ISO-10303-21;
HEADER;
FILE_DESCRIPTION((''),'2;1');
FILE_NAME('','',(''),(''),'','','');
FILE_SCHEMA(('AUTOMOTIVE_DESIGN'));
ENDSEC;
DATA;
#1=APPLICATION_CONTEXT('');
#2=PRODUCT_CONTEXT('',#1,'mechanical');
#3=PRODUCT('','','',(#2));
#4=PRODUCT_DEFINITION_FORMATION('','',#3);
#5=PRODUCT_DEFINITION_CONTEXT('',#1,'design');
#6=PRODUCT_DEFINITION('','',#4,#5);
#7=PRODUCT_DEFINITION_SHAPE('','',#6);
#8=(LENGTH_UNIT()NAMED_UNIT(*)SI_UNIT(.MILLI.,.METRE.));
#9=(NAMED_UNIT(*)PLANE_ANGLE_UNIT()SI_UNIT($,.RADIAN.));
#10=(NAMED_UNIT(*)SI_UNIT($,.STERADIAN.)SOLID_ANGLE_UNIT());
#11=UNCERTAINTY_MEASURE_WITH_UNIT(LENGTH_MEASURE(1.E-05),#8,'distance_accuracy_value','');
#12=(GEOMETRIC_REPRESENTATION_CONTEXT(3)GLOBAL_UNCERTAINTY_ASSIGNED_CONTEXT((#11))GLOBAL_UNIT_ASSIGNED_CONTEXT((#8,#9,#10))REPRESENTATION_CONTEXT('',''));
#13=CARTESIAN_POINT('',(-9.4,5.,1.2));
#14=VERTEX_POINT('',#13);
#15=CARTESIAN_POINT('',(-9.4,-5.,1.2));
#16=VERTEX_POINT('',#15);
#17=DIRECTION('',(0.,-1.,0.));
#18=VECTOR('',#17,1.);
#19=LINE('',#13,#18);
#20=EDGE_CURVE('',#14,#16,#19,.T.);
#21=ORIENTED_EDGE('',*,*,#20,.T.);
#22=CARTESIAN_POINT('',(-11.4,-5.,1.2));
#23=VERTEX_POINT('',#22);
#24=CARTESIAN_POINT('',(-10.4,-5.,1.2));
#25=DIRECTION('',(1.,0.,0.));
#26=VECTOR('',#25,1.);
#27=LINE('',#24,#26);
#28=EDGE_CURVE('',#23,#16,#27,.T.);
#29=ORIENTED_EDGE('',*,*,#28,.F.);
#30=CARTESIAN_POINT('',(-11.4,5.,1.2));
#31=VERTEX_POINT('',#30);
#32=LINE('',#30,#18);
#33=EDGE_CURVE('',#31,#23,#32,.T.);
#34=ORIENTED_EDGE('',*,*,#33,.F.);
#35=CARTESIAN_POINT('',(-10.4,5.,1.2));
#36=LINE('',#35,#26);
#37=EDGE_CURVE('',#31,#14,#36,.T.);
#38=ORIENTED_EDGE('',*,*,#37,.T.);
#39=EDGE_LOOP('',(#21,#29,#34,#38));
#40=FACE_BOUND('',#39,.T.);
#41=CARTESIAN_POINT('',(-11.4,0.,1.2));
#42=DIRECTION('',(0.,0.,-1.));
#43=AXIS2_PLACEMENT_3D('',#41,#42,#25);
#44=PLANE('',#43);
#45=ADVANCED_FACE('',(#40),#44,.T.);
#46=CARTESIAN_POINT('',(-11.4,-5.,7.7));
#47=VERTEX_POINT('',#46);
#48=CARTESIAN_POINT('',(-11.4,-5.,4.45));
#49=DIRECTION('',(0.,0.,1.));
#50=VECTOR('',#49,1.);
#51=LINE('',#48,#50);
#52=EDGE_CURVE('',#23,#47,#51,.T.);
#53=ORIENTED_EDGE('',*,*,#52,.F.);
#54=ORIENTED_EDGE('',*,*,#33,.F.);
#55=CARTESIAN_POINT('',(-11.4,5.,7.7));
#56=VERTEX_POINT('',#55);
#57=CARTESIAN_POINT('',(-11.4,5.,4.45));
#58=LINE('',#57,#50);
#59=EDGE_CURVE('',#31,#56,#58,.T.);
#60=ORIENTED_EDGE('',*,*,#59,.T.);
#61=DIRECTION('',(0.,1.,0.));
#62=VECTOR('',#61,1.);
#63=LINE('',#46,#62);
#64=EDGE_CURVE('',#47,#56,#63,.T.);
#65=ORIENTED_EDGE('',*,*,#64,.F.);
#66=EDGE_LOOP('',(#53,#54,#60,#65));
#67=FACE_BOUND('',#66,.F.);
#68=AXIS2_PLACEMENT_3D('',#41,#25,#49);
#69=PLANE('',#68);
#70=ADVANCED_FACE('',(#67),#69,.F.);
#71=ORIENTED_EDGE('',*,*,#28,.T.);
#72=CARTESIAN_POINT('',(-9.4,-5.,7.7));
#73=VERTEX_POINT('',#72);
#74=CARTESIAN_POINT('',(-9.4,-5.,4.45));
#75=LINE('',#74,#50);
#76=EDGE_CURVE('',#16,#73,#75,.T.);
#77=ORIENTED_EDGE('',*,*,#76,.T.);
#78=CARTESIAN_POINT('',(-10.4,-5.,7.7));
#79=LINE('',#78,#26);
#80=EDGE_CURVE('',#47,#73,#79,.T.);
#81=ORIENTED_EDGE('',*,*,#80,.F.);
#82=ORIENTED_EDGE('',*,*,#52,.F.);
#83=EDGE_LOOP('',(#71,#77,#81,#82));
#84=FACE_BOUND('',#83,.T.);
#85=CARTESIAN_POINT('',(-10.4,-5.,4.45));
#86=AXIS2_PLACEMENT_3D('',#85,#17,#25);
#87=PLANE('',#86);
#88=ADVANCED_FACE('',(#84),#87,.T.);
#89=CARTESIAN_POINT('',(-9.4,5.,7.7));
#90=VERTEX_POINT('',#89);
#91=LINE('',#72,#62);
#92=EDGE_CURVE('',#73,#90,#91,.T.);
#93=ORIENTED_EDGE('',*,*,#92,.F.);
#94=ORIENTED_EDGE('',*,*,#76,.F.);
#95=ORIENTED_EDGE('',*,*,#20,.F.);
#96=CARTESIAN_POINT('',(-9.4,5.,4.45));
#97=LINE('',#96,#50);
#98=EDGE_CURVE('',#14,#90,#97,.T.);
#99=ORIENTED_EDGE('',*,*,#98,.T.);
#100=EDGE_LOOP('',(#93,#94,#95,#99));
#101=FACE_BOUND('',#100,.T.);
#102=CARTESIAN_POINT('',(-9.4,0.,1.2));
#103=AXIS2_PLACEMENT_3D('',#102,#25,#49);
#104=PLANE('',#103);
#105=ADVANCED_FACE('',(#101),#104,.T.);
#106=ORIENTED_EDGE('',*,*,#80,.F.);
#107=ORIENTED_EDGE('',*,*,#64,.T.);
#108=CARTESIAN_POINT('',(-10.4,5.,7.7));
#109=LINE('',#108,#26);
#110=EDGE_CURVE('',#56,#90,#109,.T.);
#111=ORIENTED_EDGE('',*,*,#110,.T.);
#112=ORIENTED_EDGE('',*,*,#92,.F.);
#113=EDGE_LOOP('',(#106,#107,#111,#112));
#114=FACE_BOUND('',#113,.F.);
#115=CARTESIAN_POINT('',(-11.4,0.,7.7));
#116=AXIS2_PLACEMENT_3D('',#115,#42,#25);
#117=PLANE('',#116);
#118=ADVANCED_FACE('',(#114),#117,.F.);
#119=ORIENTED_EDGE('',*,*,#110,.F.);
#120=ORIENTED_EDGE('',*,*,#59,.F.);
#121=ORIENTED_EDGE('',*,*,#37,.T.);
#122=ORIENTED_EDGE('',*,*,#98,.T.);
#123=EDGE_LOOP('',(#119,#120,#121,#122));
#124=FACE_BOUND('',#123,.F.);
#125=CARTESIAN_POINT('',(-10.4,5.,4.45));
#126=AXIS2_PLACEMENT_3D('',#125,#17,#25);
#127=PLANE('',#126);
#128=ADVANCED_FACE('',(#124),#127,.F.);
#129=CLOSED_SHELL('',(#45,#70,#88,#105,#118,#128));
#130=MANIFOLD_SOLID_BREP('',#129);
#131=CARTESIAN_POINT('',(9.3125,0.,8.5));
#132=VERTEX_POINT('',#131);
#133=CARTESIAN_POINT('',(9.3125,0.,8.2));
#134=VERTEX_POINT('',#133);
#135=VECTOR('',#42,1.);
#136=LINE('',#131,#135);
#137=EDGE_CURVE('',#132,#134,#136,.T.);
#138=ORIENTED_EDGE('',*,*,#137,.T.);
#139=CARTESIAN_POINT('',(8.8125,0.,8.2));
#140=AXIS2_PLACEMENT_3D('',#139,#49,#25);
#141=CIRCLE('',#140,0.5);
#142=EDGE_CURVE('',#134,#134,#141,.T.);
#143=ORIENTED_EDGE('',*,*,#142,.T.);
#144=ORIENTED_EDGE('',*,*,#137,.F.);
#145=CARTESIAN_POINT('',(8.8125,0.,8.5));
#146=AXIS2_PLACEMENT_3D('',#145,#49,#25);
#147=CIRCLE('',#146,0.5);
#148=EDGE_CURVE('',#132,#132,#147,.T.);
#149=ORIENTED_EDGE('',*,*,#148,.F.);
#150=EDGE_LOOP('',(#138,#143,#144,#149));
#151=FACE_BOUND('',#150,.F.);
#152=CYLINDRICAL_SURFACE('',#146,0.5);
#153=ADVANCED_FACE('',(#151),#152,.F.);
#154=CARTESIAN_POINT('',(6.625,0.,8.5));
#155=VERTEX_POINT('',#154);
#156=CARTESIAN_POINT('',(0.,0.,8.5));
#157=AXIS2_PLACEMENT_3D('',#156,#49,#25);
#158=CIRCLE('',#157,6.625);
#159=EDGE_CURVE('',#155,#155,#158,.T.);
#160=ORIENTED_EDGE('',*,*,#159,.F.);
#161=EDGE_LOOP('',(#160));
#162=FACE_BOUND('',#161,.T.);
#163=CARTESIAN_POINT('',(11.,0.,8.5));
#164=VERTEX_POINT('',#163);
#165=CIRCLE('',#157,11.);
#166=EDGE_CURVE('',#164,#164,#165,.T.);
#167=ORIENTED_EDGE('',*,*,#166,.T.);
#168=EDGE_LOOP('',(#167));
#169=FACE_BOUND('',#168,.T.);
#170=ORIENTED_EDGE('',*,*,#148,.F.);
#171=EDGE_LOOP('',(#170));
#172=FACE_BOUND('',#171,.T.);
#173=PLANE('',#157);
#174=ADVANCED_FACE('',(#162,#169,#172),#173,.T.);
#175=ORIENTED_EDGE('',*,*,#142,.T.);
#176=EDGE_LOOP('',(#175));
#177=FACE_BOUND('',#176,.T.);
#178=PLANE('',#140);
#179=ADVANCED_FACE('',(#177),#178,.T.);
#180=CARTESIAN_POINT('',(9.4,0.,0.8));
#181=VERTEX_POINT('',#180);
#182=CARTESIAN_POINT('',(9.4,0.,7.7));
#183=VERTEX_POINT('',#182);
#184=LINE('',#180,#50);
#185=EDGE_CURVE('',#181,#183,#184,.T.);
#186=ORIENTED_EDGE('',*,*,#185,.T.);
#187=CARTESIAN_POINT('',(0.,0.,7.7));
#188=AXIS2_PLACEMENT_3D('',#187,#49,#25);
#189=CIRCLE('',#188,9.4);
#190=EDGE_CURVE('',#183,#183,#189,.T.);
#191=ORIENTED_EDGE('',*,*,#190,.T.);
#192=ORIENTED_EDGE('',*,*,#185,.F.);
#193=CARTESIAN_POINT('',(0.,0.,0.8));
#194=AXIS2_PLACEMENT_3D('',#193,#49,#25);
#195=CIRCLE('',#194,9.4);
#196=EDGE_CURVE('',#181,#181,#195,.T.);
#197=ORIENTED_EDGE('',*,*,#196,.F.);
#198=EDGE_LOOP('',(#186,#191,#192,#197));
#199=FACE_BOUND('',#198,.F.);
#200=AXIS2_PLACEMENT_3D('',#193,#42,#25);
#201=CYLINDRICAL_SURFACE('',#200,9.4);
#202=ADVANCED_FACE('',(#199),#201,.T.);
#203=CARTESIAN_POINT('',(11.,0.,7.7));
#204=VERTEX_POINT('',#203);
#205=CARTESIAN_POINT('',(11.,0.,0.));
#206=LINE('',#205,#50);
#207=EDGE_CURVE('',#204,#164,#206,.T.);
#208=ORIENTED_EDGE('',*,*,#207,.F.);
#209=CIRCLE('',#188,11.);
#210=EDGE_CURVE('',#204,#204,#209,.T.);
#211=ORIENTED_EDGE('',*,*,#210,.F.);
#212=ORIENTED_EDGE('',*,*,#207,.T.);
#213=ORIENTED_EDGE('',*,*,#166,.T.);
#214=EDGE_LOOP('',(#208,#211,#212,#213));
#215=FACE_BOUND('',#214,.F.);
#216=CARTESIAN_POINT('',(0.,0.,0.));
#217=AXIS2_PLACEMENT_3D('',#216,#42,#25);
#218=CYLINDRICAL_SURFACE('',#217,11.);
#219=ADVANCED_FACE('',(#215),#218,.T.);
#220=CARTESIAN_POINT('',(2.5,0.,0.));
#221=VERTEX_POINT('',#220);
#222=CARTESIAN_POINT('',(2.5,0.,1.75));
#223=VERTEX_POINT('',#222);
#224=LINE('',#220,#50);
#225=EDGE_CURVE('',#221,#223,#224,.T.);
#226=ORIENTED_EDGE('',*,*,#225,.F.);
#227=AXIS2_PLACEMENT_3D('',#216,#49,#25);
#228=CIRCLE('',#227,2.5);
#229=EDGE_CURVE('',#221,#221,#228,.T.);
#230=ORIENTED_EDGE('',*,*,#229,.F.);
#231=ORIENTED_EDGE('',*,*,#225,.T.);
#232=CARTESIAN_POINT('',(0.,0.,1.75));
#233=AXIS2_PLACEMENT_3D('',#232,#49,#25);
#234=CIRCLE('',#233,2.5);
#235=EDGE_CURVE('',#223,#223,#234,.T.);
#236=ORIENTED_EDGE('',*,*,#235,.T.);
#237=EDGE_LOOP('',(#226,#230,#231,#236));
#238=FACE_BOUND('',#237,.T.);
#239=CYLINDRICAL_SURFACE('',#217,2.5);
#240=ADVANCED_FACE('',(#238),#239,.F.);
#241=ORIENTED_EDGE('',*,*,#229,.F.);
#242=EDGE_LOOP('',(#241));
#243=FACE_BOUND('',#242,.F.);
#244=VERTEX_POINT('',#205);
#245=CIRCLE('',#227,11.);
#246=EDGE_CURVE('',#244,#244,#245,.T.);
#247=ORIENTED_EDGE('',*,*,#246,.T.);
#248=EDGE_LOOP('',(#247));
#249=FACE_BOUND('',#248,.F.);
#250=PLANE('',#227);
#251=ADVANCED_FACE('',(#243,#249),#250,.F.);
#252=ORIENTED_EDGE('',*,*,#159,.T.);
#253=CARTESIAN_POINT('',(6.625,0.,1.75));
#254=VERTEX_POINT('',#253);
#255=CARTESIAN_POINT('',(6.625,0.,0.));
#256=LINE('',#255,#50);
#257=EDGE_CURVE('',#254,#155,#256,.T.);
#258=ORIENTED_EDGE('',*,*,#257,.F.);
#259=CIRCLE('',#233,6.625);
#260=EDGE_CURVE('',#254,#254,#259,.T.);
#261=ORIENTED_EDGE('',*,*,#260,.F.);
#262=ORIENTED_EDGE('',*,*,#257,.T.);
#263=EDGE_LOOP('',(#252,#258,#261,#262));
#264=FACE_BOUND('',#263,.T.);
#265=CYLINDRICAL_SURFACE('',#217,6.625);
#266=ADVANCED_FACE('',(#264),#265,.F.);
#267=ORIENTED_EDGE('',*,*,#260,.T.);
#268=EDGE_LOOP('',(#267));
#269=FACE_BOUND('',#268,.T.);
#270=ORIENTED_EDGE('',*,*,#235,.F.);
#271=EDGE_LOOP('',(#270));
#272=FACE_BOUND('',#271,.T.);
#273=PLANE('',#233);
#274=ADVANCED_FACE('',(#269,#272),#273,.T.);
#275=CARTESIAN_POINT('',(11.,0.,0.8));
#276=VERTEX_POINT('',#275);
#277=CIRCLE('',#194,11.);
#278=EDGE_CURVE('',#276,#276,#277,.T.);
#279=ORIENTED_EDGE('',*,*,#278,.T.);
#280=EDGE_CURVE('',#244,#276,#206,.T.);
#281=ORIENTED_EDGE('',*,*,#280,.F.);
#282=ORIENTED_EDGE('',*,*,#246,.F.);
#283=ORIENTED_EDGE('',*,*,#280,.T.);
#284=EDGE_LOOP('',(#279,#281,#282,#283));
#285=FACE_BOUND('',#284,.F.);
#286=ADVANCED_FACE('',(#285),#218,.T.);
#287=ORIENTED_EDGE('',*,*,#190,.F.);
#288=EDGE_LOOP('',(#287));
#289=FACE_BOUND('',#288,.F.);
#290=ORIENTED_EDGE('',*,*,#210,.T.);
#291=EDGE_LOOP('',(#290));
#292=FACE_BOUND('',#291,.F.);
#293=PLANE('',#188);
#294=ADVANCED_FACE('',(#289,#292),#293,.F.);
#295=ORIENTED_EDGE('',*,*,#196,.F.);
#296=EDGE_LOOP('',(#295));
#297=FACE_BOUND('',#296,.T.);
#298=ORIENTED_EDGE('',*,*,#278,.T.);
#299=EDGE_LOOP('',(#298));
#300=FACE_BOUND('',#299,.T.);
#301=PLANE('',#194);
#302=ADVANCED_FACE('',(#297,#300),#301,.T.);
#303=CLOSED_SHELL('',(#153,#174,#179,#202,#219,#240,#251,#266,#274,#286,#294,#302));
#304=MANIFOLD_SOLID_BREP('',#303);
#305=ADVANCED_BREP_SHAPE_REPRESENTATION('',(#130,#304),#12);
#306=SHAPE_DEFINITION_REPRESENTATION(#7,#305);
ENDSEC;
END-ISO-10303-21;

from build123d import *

# Parameters (mm, degrees)
F1_R      = 11
F1_R_2    = 6.625
F2_DEPTH  = 8.5
F3_R      = 6.625
F3_R_2    = 2.5
F5_DEPTH  = 1.75
F9_R      = 11
F9_R_2    = 9.4
F10_DEPTH = 6.9
F11_R     = 0.5
F12_DEPTH = 0.3
F13_W     = 2
F13_H     = 6.5
F14_DEPTH = 5


with BuildPart() as f2:
    # F1 (on Top) → F2 (new body)
    with BuildSketch(Plane.XY):
        Circle(F1_R)
        Circle(F1_R_2, mode=Mode.SUBTRACT)
    extrude(amount=F2_DEPTH)

    # F3 (on Top) → F5 (join)
    with BuildSketch(Plane.XY):
        Circle(F3_R)
        Circle(F3_R_2, mode=Mode.SUBTRACT)
    extrude(amount=F5_DEPTH)

    # F9 (on offset) → F10 (cut)
    with BuildSketch(Plane.XY.offset(0.8)):
        Circle(F9_R)
        Circle(F9_R_2, mode=Mode.SUBTRACT)
    extrude(amount=F10_DEPTH, mode=Mode.SUBTRACT)

    # F11 (on face) → F12 (cut)
    with BuildSketch(Plane.XY.offset(8.5)):
        with Locations((8.8125, 0)):
            Circle(F11_R)
    extrude(amount=-F12_DEPTH, mode=Mode.SUBTRACT)


with BuildPart() as f14:
    # F13 (on Front) → F14 (new body, symmetric)
    with BuildSketch(Plane.XZ):
        with Locations((-10.4, 4.45)):
            Rectangle(F13_W, F13_H)
    extrude(amount=F14_DEPTH, both=True)


solid = Compound([f2.part, f14.part])
